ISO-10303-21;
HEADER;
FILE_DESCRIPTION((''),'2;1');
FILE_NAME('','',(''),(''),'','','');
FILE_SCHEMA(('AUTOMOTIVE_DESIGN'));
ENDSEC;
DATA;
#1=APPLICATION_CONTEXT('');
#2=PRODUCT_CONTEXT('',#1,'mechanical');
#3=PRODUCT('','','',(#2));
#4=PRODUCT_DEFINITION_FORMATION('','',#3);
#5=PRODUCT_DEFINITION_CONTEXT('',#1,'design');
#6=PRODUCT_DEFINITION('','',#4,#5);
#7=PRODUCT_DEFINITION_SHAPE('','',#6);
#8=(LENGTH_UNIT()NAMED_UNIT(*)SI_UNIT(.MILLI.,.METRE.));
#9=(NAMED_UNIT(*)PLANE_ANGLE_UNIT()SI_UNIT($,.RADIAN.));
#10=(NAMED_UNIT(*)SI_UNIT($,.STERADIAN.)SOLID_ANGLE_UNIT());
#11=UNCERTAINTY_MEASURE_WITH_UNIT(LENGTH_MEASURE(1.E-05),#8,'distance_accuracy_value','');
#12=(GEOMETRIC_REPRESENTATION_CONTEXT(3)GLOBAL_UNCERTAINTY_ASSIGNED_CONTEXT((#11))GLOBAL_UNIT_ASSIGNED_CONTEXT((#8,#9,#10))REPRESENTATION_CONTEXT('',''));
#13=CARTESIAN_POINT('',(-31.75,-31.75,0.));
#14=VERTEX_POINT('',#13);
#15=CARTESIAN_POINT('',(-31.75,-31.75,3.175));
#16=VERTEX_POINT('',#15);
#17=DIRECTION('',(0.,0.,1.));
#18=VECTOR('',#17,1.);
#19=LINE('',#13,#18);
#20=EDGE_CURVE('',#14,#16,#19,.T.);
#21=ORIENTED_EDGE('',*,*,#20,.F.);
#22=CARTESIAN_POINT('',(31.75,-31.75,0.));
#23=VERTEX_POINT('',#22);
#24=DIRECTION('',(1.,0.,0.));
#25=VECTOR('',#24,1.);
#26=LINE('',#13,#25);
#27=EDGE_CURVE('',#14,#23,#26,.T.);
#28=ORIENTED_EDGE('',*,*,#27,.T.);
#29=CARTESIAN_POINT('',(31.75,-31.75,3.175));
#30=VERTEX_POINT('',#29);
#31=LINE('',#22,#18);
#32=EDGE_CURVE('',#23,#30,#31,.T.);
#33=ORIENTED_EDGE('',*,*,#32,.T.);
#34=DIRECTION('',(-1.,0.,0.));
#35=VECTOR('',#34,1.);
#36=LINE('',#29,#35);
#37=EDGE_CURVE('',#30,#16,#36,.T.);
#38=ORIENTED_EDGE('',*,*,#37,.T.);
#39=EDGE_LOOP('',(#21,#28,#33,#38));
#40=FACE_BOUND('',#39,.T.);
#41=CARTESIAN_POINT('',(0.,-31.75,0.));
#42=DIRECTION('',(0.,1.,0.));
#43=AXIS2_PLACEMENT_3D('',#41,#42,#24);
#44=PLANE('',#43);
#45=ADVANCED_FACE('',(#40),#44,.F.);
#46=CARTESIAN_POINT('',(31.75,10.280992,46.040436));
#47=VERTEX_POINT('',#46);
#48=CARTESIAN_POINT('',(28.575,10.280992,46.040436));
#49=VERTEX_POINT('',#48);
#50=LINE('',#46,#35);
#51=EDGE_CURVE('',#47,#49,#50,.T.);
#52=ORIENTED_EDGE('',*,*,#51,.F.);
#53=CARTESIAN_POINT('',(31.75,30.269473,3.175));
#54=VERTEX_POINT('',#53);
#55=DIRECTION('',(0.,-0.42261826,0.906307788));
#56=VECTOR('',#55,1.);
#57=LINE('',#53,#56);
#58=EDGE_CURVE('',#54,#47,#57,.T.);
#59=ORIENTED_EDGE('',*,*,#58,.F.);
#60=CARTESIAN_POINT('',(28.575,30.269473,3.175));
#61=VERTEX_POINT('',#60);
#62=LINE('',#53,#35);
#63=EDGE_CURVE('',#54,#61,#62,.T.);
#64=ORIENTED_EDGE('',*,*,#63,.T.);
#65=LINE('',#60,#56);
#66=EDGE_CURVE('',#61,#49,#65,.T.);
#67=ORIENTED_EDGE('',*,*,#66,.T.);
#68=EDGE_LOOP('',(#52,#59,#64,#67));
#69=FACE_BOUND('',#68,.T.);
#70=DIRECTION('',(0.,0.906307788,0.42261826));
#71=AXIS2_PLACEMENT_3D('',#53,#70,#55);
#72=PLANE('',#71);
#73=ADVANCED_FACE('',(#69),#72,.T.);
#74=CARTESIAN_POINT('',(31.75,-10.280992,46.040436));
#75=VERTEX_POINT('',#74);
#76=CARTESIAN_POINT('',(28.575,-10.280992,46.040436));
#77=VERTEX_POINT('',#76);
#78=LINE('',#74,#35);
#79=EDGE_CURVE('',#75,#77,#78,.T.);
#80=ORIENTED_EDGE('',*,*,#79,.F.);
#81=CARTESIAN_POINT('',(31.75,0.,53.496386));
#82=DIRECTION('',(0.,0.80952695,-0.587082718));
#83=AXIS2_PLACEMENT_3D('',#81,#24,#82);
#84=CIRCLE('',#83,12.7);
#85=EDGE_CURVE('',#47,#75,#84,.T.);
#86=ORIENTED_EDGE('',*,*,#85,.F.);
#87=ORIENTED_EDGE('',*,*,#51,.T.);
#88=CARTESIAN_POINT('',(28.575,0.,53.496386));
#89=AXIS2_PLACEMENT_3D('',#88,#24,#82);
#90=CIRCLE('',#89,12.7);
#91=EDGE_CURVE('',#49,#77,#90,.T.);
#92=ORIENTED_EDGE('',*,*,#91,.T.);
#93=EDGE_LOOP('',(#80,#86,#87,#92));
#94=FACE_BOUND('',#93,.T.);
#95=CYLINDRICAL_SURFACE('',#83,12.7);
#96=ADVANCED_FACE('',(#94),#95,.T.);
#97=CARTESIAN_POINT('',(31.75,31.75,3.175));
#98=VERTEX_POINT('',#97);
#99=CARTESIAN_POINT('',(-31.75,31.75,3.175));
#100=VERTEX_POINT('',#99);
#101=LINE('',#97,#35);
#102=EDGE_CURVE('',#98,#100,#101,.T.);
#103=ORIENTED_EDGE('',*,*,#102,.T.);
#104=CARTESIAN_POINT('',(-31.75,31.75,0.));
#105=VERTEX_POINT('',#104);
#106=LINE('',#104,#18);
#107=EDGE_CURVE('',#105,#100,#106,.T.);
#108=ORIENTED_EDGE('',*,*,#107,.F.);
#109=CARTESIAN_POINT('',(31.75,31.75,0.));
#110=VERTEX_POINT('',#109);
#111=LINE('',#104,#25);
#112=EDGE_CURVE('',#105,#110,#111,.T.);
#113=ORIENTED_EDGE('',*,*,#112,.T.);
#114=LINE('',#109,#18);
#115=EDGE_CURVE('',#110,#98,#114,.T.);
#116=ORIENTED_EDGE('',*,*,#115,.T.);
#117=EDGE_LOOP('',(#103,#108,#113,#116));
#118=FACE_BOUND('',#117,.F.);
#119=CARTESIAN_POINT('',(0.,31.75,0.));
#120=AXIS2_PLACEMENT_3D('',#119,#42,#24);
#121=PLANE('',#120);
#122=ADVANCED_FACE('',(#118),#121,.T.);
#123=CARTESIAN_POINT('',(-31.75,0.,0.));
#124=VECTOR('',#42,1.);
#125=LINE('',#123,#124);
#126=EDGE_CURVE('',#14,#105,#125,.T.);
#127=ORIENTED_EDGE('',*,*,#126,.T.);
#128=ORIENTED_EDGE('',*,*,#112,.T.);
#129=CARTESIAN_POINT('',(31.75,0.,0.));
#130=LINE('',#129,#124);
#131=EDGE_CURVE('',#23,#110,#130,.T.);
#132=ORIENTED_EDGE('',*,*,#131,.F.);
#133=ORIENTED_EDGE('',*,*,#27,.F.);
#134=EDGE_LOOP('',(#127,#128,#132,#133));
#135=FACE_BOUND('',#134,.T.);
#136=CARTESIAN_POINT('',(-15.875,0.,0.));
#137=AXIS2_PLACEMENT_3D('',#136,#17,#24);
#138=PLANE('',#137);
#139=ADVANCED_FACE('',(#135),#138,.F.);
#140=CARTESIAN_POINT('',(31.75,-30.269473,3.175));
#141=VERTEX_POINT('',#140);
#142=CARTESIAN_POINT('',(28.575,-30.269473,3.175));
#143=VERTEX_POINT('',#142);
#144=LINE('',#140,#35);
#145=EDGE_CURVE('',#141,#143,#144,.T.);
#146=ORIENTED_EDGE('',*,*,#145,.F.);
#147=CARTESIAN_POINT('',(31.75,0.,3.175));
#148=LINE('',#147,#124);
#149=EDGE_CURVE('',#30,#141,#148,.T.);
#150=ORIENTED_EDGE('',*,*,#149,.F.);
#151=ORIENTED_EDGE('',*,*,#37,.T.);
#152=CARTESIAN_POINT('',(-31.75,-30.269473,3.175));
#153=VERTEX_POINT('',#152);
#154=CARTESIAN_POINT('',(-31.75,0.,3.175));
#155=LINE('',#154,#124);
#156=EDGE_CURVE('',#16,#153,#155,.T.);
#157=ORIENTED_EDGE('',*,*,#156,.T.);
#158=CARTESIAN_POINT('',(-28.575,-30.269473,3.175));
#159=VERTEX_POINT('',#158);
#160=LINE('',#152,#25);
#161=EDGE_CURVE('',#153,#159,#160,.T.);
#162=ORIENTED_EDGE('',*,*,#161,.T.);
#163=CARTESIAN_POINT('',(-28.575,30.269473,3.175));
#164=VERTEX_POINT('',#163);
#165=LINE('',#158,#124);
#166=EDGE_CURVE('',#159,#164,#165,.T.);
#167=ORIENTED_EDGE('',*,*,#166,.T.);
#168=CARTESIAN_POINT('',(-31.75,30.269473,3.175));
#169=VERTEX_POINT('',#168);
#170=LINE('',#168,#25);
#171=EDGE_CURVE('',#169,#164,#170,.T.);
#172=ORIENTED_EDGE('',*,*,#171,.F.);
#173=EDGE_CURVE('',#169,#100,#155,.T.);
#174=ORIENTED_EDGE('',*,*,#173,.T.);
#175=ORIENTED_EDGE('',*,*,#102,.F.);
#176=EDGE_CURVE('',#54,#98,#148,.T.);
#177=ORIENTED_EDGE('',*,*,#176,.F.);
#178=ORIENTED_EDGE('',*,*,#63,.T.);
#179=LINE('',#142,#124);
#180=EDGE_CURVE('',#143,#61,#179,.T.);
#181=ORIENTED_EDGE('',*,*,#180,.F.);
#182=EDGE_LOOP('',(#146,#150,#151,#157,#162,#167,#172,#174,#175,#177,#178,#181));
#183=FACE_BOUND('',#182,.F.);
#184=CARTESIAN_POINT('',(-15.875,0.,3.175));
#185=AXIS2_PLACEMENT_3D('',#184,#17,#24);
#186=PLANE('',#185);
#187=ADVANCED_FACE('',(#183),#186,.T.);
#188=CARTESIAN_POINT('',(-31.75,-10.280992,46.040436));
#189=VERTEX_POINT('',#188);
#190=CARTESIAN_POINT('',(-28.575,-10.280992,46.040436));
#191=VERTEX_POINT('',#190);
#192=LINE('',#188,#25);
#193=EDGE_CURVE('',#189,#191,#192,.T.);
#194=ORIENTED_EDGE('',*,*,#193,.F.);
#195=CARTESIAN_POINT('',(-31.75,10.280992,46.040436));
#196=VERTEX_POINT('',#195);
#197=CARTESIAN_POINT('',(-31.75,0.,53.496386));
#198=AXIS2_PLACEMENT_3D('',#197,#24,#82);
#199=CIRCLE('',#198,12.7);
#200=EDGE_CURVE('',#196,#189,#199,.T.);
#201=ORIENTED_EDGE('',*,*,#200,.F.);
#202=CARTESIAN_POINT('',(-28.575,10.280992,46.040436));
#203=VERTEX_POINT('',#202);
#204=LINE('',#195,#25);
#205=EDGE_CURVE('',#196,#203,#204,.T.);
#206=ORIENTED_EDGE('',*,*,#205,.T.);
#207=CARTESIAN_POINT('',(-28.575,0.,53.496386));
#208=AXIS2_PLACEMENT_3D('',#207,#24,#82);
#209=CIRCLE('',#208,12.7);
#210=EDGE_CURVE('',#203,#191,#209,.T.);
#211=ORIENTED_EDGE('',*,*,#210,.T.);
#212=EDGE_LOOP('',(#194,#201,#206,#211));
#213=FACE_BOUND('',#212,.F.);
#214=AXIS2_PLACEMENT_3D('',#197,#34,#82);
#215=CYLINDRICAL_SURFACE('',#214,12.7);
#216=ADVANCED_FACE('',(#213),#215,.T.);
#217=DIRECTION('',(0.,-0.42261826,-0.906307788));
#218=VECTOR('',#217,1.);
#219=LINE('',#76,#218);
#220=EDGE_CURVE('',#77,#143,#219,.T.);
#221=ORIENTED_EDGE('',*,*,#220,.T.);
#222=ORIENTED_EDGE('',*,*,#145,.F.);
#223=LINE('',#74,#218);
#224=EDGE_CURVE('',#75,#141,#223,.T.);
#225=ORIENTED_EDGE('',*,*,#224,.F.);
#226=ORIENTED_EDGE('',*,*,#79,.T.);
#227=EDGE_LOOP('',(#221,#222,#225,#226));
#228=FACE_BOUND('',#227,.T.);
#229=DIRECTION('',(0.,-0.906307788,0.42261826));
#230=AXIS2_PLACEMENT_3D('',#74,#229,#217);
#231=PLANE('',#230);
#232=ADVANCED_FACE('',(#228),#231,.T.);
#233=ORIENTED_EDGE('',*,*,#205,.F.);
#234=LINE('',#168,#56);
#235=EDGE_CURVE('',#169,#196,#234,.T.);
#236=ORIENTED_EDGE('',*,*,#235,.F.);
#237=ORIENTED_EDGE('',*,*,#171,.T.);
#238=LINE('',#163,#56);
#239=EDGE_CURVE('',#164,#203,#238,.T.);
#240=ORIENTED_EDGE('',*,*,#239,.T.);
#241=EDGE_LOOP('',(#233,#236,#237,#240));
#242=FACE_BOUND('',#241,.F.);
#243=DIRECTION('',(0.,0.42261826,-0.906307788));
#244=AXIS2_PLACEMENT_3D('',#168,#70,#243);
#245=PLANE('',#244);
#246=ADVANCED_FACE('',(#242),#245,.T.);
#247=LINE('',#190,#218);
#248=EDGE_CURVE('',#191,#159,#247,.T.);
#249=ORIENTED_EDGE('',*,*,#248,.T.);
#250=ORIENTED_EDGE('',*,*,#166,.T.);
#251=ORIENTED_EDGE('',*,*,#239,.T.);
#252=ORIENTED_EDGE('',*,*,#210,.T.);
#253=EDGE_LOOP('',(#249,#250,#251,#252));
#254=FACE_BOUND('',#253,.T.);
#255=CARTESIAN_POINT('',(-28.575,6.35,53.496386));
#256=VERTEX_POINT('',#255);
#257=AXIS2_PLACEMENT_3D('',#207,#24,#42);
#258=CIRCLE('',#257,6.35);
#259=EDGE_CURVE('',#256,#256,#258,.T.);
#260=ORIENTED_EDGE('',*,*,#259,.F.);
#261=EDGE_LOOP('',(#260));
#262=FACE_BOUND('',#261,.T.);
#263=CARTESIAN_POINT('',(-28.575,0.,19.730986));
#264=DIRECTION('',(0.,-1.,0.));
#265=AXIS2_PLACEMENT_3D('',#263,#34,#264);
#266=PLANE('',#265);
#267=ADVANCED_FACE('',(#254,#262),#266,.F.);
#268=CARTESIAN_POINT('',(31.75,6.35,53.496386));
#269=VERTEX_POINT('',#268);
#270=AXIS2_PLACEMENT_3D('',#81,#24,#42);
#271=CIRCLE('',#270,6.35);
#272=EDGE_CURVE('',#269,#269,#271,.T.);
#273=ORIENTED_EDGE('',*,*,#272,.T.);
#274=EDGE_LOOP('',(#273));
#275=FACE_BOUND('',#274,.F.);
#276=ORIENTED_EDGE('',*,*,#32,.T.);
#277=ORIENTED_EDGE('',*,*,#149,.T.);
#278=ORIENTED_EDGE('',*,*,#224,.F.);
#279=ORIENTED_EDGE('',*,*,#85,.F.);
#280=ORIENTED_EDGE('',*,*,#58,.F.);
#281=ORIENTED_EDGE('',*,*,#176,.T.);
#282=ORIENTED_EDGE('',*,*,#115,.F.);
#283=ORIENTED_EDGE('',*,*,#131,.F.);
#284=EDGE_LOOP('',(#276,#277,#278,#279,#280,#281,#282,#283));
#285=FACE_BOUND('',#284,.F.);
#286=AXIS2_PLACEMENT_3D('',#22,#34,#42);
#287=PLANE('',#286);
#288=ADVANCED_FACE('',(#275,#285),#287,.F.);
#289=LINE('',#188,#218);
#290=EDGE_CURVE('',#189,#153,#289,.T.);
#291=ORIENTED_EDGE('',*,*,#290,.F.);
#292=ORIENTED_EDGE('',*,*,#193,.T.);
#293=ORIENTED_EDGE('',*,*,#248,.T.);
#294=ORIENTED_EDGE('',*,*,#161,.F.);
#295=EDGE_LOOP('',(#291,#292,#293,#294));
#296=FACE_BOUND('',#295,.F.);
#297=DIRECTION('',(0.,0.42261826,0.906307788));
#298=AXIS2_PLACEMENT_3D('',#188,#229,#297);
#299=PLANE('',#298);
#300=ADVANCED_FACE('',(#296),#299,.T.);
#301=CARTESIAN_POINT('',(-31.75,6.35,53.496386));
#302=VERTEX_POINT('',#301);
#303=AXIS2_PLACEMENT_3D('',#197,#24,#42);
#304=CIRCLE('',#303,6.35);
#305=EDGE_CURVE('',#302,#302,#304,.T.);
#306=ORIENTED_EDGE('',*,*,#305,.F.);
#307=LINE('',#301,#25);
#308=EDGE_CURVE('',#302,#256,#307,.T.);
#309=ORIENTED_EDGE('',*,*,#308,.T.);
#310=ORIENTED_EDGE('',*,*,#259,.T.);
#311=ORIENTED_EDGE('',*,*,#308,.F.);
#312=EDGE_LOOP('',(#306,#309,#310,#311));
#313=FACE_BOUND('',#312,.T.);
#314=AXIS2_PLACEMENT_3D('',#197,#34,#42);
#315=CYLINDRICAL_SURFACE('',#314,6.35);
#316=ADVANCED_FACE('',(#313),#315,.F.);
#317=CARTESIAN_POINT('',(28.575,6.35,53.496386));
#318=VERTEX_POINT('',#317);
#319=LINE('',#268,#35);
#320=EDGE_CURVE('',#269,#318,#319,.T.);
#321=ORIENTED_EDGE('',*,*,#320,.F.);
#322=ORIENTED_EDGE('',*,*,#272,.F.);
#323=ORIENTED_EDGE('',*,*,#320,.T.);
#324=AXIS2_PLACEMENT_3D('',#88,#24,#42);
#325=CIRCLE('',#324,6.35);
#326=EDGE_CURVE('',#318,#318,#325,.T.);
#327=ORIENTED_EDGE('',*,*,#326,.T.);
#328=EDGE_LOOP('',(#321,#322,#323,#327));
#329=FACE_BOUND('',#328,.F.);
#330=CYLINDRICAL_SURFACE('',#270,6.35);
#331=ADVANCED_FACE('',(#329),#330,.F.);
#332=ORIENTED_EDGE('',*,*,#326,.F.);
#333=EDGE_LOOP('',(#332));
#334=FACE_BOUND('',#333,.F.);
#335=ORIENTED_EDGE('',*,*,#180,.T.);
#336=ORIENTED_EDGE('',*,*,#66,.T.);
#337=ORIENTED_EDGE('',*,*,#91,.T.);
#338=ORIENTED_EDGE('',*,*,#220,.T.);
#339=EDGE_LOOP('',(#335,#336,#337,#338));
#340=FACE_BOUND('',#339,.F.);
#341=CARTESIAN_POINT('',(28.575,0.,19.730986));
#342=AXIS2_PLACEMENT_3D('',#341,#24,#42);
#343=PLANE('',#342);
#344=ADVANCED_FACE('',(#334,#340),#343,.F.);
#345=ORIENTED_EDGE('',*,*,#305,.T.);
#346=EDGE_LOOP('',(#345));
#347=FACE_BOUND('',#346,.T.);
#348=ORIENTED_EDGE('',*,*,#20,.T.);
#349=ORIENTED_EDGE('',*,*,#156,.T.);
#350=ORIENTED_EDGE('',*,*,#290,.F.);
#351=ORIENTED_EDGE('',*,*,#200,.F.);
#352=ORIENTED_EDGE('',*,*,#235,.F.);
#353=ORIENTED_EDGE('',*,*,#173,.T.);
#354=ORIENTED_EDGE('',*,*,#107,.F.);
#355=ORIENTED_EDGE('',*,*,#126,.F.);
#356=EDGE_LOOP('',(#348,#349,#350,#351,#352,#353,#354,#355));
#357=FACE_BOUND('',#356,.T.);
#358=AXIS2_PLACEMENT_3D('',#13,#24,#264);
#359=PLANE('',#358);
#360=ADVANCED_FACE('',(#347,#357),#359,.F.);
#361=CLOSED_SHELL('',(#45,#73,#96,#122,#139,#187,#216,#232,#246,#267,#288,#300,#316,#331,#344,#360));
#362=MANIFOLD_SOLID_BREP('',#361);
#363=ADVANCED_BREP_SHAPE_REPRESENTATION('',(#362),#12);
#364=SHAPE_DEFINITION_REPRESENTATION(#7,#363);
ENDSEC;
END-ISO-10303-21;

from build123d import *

# Parameters (mm, degrees)
F0_W     = 31.75
F0_H     = 63.5
F1_DEPTH = 3.175
F2_R     = 6.35
F3_DEPTH = 3.175


with BuildPart() as f1:
    # F0 (on Top) → F1 (new body)
    with BuildSketch(Plane.XY):
        with Locations((15.875, 0)):
            Rectangle(F0_W, F0_H)
    extrude(amount=F1_DEPTH)

    # F2 (on face) → F3 (join)
    with BuildSketch(Plane.YZ.offset(31.75)):
        Polygon((-10.280992, 46.040436), (-30.269473, 3.175), (30.269473, 3.175), (10.280992, 46.040436), align=None)
        with BuildLine():
            ThreePointArc((10.280992, 46.040436), (0, 66.196386), (-10.280992, 46.040436))
            Line((-10.280992, 46.040436), (10.280992, 46.040436))
        make_face()
        with Locations((0, 53.496386)):
            Circle(F2_R, mode=Mode.SUBTRACT)
    extrude(amount=-F3_DEPTH)

    # F4: F1 across plane


with BuildPart() as f1_1:
    add(f1.part)
    add(f1.part.mirror(Plane.YZ))


solid = f1_1.part
